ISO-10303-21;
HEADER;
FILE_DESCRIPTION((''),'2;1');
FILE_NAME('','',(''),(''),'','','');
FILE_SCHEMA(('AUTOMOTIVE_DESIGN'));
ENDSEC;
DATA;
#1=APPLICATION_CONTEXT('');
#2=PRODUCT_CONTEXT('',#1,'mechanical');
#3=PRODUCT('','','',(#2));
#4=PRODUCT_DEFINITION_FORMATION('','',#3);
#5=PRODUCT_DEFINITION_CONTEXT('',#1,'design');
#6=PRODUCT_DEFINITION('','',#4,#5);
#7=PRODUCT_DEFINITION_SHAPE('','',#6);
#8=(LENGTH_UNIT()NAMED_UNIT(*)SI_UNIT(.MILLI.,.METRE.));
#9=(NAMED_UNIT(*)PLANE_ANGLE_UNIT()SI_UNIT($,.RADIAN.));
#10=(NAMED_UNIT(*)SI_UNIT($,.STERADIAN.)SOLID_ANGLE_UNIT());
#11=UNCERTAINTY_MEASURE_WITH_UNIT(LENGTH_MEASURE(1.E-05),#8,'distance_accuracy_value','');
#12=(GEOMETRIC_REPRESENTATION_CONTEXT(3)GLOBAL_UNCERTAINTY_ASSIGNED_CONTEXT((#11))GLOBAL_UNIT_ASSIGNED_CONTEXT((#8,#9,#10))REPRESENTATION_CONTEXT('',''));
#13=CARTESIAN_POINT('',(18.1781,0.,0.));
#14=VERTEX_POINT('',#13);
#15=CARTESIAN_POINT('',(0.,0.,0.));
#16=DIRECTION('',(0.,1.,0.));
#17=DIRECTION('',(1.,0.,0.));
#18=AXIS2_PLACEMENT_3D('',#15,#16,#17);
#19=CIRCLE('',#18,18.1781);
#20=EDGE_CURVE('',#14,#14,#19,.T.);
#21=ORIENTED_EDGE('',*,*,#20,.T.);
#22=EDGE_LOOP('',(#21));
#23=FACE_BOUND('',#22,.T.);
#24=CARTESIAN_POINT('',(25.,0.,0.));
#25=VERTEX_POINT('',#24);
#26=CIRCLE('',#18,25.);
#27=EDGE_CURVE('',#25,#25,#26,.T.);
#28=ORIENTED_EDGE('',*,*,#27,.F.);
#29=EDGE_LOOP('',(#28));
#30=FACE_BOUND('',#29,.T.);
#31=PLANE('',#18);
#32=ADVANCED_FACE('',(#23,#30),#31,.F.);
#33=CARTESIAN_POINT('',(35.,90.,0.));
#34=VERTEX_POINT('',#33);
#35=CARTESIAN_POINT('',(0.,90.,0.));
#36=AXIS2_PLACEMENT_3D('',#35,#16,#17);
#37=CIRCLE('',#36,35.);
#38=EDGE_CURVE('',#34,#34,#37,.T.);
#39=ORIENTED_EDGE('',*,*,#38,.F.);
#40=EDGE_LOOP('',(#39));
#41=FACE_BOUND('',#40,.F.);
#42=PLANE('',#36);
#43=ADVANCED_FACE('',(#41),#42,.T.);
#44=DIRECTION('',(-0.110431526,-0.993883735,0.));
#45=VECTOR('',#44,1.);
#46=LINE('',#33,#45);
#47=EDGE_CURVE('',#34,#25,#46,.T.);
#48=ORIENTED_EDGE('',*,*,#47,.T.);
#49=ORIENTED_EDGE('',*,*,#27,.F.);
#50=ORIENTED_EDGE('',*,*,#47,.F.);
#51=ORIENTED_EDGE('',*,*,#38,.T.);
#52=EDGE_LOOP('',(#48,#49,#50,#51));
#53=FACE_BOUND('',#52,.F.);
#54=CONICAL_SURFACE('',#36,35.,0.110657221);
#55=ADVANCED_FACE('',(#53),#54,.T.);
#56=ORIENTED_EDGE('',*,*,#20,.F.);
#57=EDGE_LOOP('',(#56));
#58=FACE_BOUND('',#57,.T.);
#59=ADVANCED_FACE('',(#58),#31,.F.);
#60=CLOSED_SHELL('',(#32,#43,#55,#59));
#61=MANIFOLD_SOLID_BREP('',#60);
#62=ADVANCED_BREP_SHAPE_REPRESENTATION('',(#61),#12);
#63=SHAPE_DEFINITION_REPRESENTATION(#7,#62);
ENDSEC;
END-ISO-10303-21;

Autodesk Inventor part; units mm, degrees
ref_plane "YZ Plane" through (0, 0, 0) normal (1, 0, 0) x (0, 1, 0)
ref_plane "XZ Plane" through (0, 0, 0) normal (0, 1, 0) x (-1, 0, 0)
ref_plane "XY Plane" through (0, 0, 0) normal (0, 0, 1) x (1, 0, 0)
sketch "草圖1" plane through (0, 0, 0) normal (0, 1, 0) x (-1, 0, 0)
  point P0 (0, 0)
sketch "草圖2" plane through (0, 0, 0) normal (0, 0, 1) x (1, 0, 0)
  line L0 (0, 0) -> (25, 0)
  line L1 (25, 0) -> (18.1781, 0)
  line L2 (0, 0) -> (0, 90)
  line L3 (0, 90) -> (35, 90)
  line L4 (35, 90) -> (25, 0)
  dimension "d0" = 25
  dimension "d1" = 90
  dimension "d2" = 35
revolve "迴轉1" add sketch "草圖2" angle 360 about axis through (0, 0, 0) along (0, 1, 0)
properties part number "杯子"
